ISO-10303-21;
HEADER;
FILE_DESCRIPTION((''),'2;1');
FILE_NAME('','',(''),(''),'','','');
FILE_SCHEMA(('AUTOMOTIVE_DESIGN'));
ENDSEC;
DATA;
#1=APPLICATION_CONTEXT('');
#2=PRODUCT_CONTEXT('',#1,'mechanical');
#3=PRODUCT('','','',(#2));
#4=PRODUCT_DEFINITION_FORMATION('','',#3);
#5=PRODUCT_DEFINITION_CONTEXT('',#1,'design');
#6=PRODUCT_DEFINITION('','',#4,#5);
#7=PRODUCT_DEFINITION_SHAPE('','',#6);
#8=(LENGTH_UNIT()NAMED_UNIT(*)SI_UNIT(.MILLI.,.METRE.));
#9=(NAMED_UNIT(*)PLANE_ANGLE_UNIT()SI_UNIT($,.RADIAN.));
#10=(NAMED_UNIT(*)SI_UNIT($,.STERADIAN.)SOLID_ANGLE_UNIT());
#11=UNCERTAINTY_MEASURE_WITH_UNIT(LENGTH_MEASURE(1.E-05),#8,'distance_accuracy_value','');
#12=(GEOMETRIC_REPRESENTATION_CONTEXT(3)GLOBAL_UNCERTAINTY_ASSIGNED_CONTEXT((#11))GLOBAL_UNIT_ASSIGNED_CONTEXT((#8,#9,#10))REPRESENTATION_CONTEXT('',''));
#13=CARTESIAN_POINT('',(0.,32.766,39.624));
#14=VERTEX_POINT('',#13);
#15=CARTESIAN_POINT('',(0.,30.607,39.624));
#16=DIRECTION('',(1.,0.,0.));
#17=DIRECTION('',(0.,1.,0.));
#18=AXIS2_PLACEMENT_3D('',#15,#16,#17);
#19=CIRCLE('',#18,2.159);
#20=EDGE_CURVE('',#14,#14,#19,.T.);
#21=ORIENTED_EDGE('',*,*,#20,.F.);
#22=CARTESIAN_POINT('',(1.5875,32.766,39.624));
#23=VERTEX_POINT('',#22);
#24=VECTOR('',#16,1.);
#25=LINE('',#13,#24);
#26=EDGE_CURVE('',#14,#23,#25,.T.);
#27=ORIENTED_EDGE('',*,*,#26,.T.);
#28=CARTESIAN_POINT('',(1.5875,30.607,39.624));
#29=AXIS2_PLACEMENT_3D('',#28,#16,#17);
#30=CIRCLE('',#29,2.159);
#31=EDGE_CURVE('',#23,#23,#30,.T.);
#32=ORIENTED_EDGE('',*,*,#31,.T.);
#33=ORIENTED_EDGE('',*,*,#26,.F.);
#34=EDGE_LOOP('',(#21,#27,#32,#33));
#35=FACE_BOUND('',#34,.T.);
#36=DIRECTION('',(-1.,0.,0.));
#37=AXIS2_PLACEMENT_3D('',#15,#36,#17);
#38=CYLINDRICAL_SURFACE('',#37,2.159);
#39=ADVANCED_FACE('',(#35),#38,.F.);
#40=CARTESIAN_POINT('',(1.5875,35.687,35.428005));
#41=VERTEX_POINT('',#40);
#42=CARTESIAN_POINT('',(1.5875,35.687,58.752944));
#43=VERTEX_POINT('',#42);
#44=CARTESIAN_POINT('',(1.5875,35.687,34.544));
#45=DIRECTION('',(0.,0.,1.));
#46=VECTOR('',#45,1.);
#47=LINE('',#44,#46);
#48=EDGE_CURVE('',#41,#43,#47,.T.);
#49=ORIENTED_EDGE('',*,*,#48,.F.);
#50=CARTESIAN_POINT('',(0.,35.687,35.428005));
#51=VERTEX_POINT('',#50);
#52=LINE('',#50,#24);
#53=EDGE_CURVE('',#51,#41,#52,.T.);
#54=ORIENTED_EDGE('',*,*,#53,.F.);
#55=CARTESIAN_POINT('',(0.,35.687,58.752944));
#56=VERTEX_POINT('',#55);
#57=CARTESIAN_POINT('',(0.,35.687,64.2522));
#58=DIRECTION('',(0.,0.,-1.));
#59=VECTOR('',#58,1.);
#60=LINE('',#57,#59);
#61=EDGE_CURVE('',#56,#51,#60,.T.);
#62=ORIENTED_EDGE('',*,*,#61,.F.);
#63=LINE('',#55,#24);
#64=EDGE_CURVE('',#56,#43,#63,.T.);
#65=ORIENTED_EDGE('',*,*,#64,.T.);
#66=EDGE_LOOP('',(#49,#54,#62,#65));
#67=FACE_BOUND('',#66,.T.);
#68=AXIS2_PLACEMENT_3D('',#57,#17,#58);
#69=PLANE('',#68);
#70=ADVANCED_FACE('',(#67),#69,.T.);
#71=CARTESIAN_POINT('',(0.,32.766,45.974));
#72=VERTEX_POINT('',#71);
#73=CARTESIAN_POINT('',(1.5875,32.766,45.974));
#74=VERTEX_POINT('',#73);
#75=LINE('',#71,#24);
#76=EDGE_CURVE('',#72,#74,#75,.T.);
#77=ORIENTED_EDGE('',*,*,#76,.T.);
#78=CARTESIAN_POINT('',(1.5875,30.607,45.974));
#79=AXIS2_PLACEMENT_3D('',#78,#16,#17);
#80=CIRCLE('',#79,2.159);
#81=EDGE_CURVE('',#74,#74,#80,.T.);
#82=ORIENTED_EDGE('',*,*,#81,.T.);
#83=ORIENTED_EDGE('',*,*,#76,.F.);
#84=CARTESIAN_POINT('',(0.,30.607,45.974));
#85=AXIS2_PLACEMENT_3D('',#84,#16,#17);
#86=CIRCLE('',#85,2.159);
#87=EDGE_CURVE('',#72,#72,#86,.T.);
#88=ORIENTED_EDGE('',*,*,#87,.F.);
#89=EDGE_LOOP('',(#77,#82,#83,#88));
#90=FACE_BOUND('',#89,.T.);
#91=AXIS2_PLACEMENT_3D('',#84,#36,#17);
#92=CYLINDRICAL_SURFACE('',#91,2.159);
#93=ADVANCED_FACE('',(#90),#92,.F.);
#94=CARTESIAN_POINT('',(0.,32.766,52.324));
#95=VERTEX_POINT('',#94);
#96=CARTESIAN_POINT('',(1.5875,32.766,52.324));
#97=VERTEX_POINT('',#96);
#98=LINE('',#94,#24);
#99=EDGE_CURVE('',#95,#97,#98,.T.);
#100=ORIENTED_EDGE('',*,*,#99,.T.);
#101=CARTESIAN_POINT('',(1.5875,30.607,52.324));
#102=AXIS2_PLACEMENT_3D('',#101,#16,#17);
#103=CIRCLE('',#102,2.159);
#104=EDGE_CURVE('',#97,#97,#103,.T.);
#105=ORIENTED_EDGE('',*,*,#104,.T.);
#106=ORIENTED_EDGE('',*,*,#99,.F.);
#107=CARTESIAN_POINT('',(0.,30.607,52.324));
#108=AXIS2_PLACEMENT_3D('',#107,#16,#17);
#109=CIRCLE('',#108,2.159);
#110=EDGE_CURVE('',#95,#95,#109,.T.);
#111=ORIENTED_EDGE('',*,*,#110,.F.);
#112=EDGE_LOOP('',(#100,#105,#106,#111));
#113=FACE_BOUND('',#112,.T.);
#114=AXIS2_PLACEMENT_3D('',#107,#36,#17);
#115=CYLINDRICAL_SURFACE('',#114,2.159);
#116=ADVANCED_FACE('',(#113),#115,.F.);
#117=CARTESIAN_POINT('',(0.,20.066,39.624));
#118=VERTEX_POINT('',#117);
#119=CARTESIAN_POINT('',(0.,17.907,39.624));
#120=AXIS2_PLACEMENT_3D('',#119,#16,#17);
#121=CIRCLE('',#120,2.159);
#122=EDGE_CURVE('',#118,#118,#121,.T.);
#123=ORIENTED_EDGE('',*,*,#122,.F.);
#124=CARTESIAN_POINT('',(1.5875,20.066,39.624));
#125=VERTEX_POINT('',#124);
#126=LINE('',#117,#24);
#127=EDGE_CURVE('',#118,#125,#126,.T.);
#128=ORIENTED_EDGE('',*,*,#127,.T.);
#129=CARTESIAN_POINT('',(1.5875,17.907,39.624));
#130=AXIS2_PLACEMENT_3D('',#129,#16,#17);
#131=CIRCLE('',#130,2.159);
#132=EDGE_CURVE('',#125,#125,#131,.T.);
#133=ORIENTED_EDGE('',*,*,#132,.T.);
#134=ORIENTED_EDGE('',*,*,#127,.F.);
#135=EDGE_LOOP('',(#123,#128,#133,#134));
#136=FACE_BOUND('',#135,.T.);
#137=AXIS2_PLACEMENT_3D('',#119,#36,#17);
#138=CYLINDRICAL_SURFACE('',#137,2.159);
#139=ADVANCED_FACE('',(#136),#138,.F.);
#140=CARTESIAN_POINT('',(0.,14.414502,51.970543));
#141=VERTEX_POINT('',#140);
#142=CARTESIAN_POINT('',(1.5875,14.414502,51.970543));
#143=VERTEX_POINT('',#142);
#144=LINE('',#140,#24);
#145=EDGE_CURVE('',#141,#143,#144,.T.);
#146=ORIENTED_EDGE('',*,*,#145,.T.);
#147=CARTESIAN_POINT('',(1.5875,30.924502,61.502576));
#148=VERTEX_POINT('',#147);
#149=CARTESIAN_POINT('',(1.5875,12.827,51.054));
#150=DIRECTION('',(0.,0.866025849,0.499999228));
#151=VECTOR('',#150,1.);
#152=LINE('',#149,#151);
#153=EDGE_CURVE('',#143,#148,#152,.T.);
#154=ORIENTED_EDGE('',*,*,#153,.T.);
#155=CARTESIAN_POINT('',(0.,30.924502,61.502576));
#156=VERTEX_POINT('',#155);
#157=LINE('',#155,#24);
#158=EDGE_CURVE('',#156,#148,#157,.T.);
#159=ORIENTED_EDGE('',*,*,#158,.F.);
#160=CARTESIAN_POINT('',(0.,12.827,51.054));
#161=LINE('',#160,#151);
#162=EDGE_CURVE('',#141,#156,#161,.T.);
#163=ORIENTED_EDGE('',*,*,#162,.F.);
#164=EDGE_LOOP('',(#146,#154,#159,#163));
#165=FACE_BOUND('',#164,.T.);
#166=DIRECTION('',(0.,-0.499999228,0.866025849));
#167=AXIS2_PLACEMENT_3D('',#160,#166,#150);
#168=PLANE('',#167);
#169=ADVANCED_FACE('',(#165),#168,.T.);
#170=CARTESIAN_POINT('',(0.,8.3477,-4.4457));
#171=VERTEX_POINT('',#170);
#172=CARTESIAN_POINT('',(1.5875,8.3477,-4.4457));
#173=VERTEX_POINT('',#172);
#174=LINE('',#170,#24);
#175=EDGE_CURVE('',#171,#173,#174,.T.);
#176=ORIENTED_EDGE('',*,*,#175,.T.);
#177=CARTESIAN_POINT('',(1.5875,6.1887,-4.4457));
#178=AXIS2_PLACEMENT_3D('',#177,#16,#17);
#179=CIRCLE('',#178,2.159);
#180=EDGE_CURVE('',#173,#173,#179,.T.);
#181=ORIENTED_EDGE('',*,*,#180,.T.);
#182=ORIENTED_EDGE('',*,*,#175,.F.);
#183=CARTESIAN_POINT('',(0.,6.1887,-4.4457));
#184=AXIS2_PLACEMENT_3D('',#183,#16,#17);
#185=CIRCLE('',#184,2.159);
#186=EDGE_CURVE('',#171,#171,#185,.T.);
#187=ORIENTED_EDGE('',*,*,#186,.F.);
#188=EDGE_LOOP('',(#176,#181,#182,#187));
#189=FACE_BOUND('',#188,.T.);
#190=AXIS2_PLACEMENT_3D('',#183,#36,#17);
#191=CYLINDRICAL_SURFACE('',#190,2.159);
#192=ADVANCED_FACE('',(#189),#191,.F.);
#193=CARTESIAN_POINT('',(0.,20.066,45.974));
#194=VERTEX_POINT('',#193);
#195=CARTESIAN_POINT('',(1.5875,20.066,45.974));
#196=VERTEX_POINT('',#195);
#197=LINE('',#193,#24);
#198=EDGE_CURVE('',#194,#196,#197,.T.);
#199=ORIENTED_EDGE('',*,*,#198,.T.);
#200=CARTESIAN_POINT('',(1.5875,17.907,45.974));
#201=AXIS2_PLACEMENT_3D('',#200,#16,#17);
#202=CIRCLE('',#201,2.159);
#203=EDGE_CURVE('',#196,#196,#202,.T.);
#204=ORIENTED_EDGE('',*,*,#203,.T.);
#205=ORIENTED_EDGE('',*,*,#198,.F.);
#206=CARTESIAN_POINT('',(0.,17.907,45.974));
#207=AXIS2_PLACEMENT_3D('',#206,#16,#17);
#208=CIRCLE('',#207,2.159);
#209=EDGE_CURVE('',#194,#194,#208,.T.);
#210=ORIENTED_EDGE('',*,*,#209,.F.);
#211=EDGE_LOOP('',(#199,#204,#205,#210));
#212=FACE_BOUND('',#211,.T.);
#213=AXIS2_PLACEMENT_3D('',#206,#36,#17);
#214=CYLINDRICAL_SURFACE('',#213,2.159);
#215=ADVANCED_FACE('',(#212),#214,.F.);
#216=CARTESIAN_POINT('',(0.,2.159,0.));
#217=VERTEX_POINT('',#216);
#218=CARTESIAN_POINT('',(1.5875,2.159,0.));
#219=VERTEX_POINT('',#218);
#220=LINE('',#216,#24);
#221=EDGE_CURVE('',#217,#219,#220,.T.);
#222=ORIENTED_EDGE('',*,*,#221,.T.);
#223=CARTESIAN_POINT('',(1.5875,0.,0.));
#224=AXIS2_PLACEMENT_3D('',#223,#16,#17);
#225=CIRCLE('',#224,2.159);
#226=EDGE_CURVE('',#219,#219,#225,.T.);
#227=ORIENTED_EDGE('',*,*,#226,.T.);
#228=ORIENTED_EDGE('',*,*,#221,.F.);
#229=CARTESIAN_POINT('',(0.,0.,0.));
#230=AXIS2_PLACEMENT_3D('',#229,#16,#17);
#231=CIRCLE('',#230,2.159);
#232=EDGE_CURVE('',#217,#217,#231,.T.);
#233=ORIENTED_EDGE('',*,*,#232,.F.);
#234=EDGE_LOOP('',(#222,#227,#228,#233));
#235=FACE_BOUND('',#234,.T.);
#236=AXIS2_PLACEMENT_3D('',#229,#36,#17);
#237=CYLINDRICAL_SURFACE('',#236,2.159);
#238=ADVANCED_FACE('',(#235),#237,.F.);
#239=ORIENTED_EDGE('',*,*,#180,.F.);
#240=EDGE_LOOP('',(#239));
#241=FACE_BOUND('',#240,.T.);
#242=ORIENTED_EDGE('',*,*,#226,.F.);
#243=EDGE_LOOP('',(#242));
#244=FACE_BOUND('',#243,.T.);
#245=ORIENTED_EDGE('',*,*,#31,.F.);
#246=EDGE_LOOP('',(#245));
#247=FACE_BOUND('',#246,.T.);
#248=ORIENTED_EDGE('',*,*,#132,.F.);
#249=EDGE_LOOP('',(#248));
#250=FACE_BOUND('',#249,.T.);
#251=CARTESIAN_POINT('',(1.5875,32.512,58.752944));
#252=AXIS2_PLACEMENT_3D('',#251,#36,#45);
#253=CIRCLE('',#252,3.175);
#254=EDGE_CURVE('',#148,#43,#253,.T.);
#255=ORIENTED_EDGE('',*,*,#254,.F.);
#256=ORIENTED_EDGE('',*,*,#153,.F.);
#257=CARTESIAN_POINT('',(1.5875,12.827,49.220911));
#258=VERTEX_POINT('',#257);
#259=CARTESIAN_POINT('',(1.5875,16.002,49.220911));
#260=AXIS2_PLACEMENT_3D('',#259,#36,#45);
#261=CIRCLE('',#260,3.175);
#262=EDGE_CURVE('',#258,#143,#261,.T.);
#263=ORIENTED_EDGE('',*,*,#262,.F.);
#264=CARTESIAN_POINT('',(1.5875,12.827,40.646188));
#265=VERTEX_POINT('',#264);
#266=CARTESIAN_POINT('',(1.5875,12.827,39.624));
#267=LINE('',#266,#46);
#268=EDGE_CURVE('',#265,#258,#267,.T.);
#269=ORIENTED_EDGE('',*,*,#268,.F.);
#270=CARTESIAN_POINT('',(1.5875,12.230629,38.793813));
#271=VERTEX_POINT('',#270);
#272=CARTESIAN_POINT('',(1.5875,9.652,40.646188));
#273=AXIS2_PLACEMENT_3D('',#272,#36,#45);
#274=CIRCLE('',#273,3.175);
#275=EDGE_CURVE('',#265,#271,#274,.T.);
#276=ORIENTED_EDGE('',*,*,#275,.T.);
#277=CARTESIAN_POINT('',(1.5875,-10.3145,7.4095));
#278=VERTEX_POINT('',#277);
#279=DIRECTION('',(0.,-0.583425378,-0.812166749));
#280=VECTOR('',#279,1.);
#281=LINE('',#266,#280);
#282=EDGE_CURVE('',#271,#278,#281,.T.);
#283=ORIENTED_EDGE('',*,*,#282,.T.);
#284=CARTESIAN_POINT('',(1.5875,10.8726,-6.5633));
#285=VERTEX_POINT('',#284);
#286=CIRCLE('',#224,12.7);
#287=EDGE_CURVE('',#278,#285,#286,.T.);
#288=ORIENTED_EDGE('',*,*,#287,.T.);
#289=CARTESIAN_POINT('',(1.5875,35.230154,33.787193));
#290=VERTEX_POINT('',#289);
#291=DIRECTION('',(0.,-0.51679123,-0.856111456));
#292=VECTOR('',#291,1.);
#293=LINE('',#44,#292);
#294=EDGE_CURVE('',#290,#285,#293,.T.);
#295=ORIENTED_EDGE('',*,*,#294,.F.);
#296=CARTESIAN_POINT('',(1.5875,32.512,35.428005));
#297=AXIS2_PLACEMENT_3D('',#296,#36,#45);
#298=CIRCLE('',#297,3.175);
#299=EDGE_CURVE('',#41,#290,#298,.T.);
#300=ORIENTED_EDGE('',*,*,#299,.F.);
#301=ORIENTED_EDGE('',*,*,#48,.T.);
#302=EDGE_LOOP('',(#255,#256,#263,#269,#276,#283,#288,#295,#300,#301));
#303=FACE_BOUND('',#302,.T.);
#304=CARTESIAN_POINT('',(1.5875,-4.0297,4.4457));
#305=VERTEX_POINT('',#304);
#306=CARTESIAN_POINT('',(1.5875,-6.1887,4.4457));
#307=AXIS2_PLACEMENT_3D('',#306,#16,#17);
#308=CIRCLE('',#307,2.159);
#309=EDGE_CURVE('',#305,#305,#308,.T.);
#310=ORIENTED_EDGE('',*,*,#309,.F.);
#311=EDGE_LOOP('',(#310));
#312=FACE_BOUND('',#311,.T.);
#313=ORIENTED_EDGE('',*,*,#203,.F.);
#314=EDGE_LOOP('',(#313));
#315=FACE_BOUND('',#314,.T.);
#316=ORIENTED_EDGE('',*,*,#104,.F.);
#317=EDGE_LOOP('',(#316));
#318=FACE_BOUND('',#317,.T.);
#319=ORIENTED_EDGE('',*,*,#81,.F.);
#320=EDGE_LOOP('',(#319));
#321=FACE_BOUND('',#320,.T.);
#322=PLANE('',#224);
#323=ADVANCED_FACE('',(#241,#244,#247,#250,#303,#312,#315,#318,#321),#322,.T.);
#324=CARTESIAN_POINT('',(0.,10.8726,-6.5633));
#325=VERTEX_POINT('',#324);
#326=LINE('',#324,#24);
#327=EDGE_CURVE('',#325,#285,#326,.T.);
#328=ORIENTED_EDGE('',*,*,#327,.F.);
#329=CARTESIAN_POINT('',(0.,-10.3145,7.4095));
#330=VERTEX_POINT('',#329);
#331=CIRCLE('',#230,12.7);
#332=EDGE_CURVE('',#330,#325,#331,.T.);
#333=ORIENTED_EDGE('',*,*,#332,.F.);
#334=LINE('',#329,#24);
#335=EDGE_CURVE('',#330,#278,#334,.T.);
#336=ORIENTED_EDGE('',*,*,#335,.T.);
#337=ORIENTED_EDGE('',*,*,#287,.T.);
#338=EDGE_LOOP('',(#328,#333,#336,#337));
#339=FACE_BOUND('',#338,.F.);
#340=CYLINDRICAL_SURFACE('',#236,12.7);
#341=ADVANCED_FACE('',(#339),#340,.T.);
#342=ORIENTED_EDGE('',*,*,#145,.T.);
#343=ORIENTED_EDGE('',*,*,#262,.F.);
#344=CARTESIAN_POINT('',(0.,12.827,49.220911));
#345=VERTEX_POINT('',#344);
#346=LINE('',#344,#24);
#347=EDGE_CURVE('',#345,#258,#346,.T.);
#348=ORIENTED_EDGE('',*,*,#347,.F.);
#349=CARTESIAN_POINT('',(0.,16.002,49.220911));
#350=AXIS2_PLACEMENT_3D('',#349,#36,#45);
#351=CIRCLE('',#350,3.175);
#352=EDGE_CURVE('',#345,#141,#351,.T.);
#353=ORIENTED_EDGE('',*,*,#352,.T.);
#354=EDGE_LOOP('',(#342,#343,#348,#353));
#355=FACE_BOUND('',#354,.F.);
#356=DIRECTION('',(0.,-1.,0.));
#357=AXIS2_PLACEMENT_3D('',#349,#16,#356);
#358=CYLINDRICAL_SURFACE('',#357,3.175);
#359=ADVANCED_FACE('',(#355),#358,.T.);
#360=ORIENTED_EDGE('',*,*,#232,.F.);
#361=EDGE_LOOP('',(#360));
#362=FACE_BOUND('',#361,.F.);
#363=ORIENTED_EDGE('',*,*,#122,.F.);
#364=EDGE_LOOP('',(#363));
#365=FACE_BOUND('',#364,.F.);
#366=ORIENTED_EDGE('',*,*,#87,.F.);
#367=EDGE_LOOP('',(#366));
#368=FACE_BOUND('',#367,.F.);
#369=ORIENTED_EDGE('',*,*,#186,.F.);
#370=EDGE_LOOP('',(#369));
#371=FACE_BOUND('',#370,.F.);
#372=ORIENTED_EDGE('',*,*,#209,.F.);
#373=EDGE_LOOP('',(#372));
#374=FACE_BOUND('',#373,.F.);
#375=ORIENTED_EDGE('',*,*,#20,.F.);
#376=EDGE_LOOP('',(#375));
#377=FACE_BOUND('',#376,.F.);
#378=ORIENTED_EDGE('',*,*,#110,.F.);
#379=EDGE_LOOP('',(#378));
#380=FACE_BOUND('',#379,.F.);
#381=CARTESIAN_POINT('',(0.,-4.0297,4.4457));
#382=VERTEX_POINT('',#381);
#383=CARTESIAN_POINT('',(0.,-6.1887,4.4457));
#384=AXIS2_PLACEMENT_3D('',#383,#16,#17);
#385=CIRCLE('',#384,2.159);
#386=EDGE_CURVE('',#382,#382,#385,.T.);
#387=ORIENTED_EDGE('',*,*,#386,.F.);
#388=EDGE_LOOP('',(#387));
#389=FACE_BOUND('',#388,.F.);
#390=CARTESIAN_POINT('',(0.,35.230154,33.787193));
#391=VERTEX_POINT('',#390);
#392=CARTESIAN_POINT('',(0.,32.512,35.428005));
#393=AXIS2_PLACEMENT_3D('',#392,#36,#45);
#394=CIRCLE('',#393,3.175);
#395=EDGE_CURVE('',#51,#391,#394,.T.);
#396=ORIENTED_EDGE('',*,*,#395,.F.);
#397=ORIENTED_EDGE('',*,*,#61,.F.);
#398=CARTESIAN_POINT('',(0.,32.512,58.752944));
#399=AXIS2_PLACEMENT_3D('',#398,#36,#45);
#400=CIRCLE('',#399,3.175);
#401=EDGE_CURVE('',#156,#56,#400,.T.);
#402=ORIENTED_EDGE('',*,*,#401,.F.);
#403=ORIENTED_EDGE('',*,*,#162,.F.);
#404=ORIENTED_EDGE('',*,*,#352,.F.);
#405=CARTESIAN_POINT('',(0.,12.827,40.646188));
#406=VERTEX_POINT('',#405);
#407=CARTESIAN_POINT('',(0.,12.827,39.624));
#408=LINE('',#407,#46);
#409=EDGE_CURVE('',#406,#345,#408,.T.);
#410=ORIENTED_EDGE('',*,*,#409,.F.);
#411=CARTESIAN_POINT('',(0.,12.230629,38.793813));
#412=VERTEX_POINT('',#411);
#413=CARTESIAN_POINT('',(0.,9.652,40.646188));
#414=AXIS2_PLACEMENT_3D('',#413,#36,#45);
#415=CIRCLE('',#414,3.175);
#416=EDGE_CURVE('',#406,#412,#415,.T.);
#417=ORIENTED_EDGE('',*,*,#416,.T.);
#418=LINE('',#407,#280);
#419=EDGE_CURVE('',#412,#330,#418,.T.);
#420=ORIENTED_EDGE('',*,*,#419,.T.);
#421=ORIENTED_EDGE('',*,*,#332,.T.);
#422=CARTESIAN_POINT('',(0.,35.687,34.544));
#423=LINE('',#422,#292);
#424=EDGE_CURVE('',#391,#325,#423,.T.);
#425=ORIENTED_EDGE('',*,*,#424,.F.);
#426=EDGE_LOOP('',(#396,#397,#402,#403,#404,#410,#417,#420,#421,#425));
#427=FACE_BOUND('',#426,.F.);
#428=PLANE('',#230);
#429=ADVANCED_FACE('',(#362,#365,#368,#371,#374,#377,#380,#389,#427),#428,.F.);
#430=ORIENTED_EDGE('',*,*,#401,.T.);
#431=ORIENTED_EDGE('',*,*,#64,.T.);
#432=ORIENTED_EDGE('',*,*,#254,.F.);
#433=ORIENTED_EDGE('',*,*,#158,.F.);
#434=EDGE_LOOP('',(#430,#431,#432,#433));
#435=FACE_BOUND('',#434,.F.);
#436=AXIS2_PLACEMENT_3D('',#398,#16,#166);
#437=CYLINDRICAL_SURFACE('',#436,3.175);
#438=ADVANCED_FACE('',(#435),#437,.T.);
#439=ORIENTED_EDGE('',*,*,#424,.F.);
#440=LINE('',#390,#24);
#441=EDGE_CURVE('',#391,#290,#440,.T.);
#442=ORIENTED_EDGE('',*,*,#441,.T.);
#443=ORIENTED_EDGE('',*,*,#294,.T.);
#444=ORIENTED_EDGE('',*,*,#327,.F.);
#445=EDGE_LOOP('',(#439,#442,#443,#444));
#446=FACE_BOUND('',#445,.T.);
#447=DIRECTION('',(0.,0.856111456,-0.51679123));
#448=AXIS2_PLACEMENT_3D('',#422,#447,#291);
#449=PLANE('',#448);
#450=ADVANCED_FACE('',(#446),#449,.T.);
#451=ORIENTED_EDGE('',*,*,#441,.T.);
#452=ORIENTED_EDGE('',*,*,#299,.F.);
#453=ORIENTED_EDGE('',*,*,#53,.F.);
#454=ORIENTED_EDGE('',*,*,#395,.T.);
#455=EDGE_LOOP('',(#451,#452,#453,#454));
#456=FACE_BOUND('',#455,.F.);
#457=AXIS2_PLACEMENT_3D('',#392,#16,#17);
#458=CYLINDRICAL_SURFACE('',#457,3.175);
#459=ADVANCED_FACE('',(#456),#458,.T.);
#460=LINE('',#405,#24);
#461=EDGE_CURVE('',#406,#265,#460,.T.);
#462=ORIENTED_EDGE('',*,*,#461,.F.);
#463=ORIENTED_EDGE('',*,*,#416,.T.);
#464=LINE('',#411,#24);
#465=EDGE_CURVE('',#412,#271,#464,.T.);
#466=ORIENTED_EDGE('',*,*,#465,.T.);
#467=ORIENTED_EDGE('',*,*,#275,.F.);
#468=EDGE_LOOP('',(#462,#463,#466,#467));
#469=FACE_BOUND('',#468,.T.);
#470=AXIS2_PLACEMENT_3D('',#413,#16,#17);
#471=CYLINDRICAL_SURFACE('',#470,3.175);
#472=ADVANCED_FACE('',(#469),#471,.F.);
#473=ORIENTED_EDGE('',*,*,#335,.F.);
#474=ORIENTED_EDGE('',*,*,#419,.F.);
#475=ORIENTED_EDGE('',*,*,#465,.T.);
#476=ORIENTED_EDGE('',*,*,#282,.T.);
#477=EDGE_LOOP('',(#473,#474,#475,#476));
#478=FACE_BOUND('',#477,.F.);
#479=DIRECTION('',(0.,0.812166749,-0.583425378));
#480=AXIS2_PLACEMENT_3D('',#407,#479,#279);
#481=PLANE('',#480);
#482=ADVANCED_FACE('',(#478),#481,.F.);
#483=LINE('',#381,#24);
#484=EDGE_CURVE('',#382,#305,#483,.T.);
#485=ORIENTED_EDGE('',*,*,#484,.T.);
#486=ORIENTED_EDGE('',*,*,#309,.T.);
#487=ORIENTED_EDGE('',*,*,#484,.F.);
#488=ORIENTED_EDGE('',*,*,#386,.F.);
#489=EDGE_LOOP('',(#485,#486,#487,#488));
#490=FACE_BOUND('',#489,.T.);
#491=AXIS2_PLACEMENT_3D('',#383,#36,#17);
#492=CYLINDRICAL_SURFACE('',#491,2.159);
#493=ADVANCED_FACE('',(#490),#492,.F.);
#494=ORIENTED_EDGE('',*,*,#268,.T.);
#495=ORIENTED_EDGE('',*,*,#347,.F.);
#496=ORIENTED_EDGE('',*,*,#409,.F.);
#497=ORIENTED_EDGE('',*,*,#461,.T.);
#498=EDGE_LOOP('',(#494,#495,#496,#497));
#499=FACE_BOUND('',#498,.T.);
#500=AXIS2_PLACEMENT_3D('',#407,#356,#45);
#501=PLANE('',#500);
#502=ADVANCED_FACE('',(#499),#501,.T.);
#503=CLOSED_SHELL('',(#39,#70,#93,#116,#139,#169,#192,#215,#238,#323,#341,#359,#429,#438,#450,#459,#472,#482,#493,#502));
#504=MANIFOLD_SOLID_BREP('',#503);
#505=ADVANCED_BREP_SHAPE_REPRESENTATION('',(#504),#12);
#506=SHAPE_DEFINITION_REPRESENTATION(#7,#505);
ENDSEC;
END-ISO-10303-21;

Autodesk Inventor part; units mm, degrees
ref_plane "YZ Plane" through (0, 0, 0) normal (1, 0, 0) x (0, 1, 0)
ref_plane "XZ Plane" through (0, 0, 0) normal (0, 1, 0) x (-1, 0, 0)
ref_plane "XY Plane" through (0, 0, 0) normal (0, 0, 1) x (1, 0, 0)
sketch "Sketch1" plane through (0, 0, 0) normal (1, 0, 0) x (0, 1, 0)
  circle A0 centre (0, 0) radius 2.159
  line L0 (0, 0) -> (0, 39.624) construction
  line L1 (0, 39.624) -> (12.827, 39.624) construction
  line L2 (12.827, 39.624) -> (12.827, 51.054)
  circle A1 centre (0, 0) radius 12.7
  line L3 (12.827, 39.624) -> (-10.3145, 7.4095)
  line L4 (12.827, 51.054) -> (35.687, 51.054) construction
  line L5 (35.687, 51.054) -> (35.687, 34.544)
  line L6 (35.687, 34.544) -> (12.827, 34.544) construction
  line L7 (12.827, 34.544) -> (12.827, 51.054)
  line L8 (35.687, 34.544) -> (10.8726, -6.5633)
  circle A2 centre (30.607, 45.974) radius 2.159
  line L9 (30.607, 45.974) -> (30.607, 33.274) construction
  line L10 (30.607, 45.974) -> (17.907, 45.974) construction
  circle A3 centre (30.607, 39.624) radius 2.159
  circle A4 centre (17.907, 45.974) radius 2.159
  circle A5 centre (17.907, 39.624) radius 2.159
  line L11 (12.827, 51.054) -> (35.687, 64.2522)
  line L12 (35.687, 64.2522) -> (35.687, 51.054)
  circle A6 centre (30.607, 52.324) radius 2.159
  circle A7 centre (6.1887, -4.4457) radius 2.159
  line L13 (0, 0) -> (6.1887, -4.4457) construction
  circle A8 centre (0, 0) radius 7.62 construction
  circle A9 centre (-6.1887, 4.4457) radius 2.159
  dimension "d29" = 15.24
  dimension "d0" = 4.318
  dimension "d1" = 39.624
  dimension "d2" = 11.43
  dimension "d3" = 12.827
  dimension "d5" = 25.4
  dimension "d6" = 22.86
  dimension "d7" = 16.51
  dimension "d8" = 4.318
  dimension "d9" = 5.08
  dimension "d10" = 5.08
  dimension "d11" = 12.7
  dimension "d12" = 12.7
  dimension "d15" = 6.35
  dimension "d18" = 12.7
  dimension "d21" = 30
  dimension "d22" = 6.35
  dimension "d26" = 4.318
  dimension "d32" = 360
extrude "Extrusion1" add sketch "Sketch1" along normal blind 1.5875
fillet "Fillet1" radius 3.175 4 edges at (0.7937, 12.827, 39.624) (0.7937, 35.687, 34.544) (0.7937, 35.687, 64.2522) (0.7937, 12.827, 51.054)
properties part number "IntakeArm" material "Aluminum 6061"
